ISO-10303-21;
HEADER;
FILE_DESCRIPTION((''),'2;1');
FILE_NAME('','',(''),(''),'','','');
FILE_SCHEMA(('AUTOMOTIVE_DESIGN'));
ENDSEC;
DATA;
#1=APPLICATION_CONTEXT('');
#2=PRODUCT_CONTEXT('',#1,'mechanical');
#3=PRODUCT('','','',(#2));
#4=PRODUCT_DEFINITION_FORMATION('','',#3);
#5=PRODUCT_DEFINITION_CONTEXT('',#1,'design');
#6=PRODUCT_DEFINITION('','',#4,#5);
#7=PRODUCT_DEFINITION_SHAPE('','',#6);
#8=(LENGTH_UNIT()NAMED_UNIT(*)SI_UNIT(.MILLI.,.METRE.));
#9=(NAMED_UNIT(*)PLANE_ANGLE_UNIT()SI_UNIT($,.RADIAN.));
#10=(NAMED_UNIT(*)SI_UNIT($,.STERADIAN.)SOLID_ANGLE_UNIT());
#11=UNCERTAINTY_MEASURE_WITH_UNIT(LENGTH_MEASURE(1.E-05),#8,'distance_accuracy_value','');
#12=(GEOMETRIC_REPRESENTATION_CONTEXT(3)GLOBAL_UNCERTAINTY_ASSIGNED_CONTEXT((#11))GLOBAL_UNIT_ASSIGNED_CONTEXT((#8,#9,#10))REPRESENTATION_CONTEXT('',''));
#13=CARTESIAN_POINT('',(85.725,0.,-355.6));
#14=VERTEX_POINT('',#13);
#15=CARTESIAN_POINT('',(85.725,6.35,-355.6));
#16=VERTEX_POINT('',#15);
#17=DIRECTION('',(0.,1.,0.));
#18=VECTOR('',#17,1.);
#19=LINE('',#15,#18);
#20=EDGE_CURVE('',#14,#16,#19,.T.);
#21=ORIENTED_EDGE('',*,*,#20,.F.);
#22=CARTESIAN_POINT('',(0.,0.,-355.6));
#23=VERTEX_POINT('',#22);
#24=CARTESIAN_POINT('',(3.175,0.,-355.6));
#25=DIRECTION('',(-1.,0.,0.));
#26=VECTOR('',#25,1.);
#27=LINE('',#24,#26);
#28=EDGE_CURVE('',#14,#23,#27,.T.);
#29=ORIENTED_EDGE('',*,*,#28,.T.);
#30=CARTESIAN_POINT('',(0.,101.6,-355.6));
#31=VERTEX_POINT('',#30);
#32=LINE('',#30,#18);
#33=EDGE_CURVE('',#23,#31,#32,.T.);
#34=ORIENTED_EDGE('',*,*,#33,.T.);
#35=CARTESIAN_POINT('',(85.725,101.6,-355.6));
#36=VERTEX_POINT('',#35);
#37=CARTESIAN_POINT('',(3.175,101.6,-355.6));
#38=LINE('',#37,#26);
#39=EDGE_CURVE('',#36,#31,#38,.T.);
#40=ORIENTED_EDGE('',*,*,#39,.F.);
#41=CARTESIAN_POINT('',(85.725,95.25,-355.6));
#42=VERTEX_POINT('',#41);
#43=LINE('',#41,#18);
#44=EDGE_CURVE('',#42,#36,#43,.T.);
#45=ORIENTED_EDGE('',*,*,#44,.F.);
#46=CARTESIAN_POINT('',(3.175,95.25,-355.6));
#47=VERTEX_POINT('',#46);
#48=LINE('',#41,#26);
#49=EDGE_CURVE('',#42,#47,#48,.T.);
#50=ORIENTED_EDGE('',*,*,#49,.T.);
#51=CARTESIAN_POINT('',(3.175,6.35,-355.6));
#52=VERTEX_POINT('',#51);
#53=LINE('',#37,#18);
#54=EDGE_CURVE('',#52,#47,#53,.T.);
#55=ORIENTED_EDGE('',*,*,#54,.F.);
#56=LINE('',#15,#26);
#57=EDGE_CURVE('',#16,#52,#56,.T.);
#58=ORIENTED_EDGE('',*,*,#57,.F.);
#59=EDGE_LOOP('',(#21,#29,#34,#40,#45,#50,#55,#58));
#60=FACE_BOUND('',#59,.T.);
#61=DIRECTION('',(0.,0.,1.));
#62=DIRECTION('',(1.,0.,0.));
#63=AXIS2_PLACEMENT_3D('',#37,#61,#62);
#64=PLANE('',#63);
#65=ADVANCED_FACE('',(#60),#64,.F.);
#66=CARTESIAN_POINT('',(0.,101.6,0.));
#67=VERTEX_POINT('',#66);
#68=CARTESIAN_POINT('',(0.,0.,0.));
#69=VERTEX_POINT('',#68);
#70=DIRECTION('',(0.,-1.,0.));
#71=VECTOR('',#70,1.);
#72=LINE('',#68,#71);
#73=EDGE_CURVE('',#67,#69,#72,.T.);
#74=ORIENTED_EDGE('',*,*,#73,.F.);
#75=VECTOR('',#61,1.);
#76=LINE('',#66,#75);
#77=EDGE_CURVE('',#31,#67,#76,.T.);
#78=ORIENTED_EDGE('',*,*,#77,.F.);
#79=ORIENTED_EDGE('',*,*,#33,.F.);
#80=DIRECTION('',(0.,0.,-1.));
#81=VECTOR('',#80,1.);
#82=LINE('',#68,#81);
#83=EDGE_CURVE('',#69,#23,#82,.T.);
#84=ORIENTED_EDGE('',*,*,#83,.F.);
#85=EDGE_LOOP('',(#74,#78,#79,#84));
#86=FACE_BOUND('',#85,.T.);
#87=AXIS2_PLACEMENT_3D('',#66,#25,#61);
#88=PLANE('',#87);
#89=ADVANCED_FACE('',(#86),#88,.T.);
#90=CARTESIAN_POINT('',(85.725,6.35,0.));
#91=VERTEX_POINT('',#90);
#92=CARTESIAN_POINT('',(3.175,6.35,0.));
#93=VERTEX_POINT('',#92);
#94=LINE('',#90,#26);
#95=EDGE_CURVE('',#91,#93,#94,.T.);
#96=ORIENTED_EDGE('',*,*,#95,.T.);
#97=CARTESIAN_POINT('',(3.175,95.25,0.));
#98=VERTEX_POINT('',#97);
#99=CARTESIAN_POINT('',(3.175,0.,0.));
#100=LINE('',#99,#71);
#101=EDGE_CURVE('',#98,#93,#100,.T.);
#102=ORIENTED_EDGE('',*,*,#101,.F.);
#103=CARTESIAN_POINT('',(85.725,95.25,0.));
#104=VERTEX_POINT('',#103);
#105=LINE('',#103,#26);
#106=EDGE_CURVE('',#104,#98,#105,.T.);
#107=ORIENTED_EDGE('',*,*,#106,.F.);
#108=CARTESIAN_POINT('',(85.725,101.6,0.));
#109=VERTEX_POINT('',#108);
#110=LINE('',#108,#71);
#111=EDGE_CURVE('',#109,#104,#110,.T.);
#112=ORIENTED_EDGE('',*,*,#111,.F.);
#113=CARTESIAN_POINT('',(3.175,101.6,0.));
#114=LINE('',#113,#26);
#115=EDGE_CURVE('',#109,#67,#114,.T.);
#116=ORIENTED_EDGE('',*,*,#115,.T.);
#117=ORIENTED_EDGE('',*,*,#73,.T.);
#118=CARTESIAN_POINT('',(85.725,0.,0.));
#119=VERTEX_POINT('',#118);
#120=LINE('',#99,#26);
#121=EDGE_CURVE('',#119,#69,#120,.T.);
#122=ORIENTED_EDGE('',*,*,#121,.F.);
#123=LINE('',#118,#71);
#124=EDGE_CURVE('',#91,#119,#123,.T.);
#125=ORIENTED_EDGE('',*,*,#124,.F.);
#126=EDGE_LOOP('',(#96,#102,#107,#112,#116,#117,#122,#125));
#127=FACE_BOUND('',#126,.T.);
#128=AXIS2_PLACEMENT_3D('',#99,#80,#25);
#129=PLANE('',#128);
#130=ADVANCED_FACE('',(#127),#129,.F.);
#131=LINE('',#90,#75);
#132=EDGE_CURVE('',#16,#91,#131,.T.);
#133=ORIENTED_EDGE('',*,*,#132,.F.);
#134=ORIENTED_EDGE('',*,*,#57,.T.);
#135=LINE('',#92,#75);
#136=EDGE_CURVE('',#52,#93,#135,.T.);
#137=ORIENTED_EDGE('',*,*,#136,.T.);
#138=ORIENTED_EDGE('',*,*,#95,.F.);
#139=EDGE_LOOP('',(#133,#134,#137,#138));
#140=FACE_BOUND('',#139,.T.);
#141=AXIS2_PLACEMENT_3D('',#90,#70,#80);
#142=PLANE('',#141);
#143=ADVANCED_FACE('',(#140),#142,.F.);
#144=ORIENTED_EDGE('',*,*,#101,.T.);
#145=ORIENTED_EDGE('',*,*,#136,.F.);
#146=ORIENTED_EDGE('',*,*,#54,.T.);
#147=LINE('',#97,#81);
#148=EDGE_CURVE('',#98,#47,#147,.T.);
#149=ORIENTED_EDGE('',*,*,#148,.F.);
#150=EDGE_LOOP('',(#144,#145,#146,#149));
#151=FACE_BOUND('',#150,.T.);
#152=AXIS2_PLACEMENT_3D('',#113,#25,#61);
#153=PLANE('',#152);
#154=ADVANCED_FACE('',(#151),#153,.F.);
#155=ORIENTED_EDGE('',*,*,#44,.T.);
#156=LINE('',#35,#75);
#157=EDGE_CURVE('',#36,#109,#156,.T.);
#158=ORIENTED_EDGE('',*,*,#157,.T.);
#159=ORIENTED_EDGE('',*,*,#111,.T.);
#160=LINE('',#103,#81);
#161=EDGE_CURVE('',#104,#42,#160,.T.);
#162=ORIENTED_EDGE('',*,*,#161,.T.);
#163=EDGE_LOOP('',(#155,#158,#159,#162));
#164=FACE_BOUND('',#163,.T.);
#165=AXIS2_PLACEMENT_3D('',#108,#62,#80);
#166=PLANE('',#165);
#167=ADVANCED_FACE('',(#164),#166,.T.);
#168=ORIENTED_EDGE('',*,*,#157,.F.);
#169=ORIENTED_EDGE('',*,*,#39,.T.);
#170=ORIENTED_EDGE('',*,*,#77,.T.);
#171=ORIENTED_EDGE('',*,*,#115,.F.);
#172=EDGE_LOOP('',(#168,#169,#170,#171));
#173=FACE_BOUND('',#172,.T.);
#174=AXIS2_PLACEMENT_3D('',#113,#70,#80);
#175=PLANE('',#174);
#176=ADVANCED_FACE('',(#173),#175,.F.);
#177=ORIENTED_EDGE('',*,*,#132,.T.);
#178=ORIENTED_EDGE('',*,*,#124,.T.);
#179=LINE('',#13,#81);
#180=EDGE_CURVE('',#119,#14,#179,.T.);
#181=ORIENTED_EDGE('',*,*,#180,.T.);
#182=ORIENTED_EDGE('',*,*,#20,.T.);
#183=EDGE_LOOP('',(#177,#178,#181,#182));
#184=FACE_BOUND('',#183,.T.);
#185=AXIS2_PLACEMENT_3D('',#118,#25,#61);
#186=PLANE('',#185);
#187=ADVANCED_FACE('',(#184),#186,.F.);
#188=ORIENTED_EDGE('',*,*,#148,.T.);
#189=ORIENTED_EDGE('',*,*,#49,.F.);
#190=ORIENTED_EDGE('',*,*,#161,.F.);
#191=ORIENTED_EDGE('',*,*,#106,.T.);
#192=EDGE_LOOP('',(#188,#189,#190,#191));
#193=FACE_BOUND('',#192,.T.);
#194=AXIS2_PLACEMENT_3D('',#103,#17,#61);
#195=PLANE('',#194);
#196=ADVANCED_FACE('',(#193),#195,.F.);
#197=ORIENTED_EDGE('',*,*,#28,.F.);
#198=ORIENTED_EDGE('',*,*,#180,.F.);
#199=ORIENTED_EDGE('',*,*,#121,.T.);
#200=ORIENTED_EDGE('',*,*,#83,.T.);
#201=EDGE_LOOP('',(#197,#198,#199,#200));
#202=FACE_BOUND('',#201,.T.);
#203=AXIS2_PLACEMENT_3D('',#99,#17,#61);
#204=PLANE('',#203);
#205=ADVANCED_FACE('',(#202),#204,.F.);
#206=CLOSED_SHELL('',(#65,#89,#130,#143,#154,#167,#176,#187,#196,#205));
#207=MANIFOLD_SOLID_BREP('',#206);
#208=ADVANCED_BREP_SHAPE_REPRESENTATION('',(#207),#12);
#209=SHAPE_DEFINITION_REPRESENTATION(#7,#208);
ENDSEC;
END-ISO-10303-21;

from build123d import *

# Parameters (mm, degrees)
SKETCH1_W           = 355.6
SKETCH1_H           = 101.6
BOSS_EXTRUDE1_DEPTH = 3.175
SKETCH2_W           = 355.6
SKETCH2_H           = 6.35
BOSS_EXTRUDE2_DEPTH = 82.55


with BuildPart() as part:
    # Sketch1 → Boss-Extrude1 (new body)
    with BuildSketch(Plane(origin=(0, 0, 0), x_dir=(0, 0, -1), z_dir=(1, 0, 0))):
        with Locations((177.8, 50.8)):
            Rectangle(SKETCH1_W, SKETCH1_H)
    extrude(amount=BOSS_EXTRUDE1_DEPTH)

    # Sketch2 → Boss-Extrude2 (add)
    with BuildSketch(Plane(origin=(3.175, 0, 0), x_dir=(0, 0, -1), z_dir=(1, 0, 0))):
        with Locations((177.8, 3.175)):
            Rectangle(SKETCH2_W, SKETCH2_H)
        with Locations((177.8, 98.425)):
            Rectangle(SKETCH2_W, SKETCH2_H)
    extrude(amount=BOSS_EXTRUDE2_DEPTH)


solid = part.part
